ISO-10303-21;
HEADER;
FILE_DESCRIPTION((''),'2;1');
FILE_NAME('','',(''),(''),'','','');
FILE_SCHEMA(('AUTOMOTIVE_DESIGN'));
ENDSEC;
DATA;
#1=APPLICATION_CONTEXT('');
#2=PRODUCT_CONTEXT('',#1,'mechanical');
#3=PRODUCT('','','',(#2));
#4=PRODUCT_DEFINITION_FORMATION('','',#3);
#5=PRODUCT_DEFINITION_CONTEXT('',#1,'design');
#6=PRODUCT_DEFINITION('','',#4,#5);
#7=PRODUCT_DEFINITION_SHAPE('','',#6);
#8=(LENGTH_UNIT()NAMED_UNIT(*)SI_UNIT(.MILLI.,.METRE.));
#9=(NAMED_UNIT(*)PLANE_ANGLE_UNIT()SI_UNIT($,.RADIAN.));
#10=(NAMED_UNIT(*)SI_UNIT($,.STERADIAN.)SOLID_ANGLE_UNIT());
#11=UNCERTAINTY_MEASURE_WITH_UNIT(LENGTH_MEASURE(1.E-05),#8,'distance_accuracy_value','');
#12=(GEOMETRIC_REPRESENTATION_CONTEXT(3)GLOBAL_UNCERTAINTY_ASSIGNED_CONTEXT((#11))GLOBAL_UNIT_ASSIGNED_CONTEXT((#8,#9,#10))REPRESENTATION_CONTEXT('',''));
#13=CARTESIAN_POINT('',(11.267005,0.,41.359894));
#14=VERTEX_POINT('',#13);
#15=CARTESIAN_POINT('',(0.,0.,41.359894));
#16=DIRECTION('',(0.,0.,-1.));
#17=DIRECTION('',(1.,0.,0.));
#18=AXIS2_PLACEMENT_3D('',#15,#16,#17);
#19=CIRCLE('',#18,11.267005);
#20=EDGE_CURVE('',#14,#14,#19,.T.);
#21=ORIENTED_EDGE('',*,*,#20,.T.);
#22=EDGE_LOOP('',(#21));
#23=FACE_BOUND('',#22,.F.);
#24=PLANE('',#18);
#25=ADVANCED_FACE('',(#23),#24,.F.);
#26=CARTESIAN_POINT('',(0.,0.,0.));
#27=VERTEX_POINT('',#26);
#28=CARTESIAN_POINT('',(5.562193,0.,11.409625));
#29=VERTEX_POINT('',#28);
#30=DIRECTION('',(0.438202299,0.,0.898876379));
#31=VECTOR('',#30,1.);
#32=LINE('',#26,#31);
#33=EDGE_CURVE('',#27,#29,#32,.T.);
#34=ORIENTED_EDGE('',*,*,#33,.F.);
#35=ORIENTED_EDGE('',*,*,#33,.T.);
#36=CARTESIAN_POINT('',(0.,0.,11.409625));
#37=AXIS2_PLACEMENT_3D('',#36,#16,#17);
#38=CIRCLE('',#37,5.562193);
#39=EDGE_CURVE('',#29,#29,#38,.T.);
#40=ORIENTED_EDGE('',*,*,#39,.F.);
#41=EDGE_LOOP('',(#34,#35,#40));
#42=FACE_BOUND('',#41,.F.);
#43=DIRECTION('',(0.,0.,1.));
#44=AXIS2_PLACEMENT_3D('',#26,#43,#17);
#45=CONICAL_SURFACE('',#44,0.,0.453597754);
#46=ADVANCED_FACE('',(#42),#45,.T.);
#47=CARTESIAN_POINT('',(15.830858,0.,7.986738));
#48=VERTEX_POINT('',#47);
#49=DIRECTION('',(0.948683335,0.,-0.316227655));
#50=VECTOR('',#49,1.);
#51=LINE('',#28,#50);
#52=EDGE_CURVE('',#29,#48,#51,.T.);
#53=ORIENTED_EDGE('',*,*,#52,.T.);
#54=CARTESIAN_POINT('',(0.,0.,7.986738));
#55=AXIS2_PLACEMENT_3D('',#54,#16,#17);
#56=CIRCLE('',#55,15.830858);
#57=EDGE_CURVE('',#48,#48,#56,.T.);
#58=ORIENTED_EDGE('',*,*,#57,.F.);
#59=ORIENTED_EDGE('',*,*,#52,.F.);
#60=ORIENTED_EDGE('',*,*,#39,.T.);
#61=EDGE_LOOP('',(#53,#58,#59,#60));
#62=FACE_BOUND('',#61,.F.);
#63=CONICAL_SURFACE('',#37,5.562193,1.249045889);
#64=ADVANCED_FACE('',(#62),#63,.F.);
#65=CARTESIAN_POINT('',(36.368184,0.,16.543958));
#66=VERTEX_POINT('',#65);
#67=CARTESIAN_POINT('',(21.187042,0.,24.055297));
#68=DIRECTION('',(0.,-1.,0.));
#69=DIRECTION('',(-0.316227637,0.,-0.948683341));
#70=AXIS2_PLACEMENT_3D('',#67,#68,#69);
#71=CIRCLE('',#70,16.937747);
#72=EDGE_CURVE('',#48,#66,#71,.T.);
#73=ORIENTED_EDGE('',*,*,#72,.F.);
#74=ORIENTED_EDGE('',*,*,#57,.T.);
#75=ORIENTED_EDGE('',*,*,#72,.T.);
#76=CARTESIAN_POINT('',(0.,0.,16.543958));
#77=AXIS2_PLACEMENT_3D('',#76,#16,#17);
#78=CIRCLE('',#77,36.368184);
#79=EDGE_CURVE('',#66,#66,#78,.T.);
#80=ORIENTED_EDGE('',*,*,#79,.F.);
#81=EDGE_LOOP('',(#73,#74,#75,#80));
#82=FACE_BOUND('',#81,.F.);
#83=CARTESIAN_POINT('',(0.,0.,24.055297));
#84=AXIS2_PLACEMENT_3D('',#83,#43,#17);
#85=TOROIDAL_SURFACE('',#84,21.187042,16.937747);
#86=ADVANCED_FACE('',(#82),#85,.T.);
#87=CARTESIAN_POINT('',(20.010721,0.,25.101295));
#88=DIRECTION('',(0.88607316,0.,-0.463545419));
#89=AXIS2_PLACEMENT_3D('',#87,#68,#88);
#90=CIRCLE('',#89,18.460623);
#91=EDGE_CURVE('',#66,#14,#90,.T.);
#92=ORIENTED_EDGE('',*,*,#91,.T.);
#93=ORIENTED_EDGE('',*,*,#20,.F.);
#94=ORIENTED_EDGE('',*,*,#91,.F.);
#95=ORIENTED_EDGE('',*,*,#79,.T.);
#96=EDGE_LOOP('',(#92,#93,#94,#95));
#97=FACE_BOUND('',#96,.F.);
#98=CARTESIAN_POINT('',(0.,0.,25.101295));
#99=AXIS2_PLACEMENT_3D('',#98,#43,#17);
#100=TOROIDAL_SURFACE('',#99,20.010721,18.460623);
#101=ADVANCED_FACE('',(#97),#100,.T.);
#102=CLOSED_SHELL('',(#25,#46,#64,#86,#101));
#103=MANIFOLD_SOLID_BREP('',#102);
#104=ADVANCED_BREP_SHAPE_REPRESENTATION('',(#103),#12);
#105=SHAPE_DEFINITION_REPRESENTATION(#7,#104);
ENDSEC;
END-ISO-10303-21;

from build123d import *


with BuildPart() as f1:
    # F0 (on Front) → F1 (revolve)
    with BuildSketch(Plane.XZ):
        with BuildLine():
            Line((0, 41.359894), (0, 0))
            Line((0, 0), (5.562193, 11.409625))
            Line((5.562193, 11.409625), (15.830858, 7.986738))
            ThreePointArc((15.830858, 7.986738), (27.70156, 8.420453), (36.368184, 16.543958))
            ThreePointArc((36.368184, 16.543958), (32.989548, 38.229306), (11.267005, 41.359894))
            Line((11.267005, 41.359894), (0, 41.359894))
        make_face()
    revolve(axis=Axis((0, 0, 20.679947), (0, 0, -1)))


solid = f1.part
